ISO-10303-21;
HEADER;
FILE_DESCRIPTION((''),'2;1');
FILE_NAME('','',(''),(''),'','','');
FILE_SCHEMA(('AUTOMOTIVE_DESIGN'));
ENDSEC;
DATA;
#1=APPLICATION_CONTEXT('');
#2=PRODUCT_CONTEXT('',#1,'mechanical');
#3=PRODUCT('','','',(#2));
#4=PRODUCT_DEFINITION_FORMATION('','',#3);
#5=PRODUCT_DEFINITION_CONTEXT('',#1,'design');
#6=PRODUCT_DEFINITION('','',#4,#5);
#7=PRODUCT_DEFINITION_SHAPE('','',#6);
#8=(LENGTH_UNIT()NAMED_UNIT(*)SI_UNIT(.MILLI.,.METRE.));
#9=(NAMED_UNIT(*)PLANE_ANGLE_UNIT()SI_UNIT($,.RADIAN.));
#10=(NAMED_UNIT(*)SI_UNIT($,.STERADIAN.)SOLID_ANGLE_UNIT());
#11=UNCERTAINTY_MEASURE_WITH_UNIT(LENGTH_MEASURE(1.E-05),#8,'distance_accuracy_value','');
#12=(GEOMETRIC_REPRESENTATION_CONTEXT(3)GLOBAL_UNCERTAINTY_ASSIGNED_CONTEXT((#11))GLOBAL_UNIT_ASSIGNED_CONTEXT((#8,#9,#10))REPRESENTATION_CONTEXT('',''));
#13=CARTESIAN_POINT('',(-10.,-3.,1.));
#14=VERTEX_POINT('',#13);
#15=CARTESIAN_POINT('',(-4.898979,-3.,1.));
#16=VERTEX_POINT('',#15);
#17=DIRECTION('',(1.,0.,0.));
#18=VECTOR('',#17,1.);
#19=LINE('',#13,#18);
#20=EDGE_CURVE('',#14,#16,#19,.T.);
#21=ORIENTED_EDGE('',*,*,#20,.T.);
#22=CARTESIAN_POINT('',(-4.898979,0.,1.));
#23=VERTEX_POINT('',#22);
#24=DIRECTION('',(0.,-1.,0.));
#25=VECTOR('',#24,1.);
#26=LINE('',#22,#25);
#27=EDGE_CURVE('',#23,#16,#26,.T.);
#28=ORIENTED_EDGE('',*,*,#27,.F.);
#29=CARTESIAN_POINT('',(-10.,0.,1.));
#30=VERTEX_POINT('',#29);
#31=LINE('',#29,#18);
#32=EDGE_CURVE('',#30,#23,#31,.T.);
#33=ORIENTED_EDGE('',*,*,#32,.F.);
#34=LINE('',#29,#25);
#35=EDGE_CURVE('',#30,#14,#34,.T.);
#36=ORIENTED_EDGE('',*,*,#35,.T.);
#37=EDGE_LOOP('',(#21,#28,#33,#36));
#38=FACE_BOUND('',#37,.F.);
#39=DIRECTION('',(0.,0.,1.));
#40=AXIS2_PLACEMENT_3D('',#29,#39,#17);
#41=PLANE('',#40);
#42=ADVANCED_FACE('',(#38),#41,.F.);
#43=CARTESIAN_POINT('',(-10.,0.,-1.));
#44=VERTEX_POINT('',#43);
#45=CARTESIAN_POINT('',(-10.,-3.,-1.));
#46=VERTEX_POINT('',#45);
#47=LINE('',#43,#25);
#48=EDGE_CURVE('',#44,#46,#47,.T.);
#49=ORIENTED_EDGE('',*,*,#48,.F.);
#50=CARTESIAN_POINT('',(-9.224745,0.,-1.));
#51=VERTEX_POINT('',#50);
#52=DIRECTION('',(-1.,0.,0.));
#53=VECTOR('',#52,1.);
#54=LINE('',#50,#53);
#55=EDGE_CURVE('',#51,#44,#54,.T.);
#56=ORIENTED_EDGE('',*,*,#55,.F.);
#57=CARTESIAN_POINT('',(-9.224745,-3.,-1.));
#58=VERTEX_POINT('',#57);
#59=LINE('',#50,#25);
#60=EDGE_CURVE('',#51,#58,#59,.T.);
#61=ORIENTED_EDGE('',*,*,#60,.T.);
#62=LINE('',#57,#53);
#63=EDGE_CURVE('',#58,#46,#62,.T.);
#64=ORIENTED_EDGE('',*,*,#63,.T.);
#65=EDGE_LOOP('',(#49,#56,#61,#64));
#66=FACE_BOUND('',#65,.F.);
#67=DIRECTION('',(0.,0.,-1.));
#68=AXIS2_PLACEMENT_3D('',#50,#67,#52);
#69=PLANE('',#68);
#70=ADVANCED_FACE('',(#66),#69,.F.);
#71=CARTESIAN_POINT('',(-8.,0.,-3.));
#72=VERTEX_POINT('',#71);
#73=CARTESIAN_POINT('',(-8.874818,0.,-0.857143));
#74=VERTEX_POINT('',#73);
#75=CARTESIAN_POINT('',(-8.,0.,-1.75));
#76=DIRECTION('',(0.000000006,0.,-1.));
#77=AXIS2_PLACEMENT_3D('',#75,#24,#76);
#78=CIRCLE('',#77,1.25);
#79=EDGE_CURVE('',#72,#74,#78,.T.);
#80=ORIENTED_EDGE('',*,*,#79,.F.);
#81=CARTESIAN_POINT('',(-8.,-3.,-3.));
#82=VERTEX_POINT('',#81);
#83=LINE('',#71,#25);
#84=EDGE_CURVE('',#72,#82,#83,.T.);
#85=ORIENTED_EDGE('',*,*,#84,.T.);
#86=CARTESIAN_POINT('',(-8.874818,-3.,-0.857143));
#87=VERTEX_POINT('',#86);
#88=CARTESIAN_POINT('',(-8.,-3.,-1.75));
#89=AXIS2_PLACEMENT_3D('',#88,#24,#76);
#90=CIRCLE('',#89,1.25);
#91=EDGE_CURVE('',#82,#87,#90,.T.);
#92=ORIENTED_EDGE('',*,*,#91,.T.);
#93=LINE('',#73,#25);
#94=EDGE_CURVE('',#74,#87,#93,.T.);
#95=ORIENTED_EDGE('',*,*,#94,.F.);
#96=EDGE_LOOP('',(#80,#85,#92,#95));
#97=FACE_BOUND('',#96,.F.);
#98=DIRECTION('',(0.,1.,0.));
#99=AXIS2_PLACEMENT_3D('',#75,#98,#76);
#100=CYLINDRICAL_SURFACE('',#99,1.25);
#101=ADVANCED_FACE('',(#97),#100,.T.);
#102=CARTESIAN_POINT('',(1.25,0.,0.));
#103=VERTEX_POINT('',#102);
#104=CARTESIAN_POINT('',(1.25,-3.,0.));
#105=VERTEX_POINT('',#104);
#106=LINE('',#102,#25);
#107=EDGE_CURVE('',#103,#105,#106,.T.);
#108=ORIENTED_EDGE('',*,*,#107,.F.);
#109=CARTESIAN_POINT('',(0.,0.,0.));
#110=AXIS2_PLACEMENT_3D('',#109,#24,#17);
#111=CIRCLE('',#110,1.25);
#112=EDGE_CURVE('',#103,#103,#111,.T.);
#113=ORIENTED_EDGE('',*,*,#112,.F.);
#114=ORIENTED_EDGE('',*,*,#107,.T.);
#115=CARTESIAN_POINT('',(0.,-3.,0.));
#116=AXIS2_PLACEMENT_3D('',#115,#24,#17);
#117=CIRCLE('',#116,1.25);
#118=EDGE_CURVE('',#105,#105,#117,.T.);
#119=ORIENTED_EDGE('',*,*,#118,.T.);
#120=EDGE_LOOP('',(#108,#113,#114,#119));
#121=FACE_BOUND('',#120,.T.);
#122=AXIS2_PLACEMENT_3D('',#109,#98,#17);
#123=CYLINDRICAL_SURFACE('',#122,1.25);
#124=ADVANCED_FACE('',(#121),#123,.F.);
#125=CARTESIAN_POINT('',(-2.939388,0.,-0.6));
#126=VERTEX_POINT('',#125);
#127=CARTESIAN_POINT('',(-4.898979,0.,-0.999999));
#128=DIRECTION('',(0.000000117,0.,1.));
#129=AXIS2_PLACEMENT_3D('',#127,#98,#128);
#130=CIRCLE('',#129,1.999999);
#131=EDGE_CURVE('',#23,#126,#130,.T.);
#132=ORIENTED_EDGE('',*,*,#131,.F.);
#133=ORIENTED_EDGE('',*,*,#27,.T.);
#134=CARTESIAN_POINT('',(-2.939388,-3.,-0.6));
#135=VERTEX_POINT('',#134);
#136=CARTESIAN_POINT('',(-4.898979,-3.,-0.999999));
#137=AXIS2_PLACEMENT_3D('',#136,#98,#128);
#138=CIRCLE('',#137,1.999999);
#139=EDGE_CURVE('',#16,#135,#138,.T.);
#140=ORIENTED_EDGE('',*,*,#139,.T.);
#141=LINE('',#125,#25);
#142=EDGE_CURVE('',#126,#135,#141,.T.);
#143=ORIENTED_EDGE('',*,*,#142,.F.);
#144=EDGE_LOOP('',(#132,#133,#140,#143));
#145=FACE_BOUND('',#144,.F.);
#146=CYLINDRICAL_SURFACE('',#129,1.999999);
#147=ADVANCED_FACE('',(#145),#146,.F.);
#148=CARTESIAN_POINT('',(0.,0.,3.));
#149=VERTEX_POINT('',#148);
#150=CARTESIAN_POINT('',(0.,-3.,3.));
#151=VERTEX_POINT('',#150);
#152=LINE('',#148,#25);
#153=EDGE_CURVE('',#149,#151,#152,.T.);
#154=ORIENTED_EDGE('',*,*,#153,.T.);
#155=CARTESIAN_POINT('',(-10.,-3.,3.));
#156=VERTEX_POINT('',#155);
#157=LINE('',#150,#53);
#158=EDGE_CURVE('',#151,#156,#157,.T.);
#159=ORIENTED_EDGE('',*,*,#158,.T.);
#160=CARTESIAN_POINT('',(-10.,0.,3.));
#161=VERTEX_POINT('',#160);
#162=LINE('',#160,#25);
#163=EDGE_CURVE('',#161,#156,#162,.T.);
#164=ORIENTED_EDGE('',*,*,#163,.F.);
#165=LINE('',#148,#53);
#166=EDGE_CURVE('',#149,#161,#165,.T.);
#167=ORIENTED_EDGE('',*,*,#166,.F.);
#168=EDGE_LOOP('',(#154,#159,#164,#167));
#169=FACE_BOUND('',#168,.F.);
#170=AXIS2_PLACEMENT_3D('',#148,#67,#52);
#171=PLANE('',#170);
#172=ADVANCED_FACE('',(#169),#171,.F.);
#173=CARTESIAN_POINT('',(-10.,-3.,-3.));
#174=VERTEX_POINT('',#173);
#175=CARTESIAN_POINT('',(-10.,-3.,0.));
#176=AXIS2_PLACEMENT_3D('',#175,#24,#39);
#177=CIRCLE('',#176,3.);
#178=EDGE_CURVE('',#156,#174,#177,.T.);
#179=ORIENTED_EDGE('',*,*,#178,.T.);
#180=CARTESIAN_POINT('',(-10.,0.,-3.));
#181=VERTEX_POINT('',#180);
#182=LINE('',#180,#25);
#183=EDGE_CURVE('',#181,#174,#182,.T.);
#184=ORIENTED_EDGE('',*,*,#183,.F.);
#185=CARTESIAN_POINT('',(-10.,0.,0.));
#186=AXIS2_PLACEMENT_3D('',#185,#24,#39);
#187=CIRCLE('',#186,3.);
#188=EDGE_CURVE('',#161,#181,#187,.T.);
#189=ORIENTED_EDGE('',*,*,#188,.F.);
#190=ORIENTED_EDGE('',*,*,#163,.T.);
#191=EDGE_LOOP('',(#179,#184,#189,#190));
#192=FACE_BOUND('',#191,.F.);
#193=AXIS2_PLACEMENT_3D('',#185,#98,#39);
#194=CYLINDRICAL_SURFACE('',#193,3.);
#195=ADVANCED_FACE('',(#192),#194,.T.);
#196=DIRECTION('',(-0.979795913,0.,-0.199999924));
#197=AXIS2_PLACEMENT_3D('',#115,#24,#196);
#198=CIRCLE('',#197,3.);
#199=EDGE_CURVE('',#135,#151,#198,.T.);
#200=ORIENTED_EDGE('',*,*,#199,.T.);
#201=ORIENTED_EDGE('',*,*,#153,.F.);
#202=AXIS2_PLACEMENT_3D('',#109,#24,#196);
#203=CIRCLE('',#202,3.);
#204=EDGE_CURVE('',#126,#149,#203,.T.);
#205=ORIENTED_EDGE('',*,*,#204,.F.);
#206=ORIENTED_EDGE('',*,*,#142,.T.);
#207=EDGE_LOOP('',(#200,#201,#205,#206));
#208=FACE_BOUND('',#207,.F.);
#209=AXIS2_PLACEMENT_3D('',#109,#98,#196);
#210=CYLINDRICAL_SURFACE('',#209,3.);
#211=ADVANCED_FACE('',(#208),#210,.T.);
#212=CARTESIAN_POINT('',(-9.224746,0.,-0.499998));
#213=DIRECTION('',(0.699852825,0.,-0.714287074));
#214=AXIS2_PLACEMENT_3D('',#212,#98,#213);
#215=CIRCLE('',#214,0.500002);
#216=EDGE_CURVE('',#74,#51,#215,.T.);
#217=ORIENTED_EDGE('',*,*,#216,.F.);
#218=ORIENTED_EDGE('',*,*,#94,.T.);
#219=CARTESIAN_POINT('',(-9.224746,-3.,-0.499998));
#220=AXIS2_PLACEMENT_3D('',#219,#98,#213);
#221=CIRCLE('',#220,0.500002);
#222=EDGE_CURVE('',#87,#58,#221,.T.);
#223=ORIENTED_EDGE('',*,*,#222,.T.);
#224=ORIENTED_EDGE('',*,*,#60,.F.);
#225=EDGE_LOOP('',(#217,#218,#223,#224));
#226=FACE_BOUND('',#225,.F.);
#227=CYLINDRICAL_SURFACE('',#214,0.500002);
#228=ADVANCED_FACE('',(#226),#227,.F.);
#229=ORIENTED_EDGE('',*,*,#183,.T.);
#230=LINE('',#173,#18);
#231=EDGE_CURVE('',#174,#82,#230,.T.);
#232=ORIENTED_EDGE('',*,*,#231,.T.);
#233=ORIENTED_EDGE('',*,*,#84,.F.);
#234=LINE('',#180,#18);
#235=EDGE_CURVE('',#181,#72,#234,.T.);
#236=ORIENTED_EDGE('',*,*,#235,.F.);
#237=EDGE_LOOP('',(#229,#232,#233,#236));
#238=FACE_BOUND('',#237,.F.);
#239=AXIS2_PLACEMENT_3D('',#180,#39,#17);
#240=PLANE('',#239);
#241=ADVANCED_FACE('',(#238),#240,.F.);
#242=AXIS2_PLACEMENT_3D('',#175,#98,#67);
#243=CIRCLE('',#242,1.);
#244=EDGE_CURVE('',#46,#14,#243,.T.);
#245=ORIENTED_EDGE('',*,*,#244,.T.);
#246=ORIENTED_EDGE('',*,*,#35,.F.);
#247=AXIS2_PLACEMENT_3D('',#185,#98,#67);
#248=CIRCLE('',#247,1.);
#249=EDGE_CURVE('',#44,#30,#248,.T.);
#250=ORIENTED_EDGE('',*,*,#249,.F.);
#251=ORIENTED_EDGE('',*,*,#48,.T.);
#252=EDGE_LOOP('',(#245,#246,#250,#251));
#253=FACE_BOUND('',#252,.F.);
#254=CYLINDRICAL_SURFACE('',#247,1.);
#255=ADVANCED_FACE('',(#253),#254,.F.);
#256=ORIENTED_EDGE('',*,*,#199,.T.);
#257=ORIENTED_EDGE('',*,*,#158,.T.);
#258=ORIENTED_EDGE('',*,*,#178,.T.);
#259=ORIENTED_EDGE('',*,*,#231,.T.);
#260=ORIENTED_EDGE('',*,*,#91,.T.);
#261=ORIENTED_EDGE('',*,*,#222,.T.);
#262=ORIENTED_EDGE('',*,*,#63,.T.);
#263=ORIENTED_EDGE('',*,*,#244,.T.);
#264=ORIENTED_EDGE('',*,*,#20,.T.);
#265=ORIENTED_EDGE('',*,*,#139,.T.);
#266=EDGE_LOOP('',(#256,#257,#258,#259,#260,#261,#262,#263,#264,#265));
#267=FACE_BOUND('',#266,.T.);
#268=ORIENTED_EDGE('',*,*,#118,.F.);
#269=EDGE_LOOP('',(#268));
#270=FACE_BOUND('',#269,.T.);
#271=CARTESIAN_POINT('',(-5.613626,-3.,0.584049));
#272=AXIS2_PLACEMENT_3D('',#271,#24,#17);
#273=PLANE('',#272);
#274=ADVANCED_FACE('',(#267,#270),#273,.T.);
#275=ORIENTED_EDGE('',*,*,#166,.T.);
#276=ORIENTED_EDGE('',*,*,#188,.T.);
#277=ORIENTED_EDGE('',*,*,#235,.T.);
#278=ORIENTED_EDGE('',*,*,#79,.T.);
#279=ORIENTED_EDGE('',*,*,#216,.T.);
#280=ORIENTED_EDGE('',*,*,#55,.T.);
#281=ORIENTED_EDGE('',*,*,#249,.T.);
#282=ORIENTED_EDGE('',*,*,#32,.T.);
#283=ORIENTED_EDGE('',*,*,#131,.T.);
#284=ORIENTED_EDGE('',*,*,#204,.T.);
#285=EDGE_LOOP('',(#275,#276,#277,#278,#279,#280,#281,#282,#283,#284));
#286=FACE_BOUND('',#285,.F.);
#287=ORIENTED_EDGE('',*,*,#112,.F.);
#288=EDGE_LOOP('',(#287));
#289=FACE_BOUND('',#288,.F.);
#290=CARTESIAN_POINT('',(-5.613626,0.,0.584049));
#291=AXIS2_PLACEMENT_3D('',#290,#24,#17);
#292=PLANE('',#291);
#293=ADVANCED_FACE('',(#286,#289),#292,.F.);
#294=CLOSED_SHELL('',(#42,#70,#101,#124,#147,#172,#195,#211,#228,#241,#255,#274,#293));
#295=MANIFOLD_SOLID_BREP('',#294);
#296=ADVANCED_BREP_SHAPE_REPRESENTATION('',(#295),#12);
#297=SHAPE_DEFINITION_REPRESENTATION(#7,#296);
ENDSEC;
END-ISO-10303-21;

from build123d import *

# Parameters (mm, degrees)
F0_R     = 1.25
F1_DEPTH = 3


with BuildPart() as f1:
    # F0 (on Front) → F1 (new body)
    with BuildSketch(Plane.XZ):
        with BuildLine():
            ThreePointArc((-10, -1), (-11, 0), (-10, 1))
            Line((-10, 1), (-4.898979, 1))
            ThreePointArc((-4.898979, 1), (-3.634068, 0.549193), (-2.939388, -0.6))
            ThreePointArc((-2.939388, -0.6), (2.32379, -1.897367), (0, 3))
            Line((0, 3), (-10, 3))
            ThreePointArc((-10, 3), (-13, 0), (-10, -3))
            Line((-10, -3), (-10, -1))
        make_face()
        Circle(F0_R, mode=Mode.SUBTRACT)
        with BuildLine():
            Line((-9.224745, -1), (-10, -1))
            Line((-10, -1), (-10, -3))
            Line((-10, -3), (-8, -3))
            ThreePointArc((-8, -3), (-6.842725, -1.277544), (-8.874818, -0.857143))
            ThreePointArc((-8.874818, -0.857143), (-9.035763, -0.96291), (-9.224745, -1))
        make_face()
    extrude(amount=F1_DEPTH)


solid = f1.part
